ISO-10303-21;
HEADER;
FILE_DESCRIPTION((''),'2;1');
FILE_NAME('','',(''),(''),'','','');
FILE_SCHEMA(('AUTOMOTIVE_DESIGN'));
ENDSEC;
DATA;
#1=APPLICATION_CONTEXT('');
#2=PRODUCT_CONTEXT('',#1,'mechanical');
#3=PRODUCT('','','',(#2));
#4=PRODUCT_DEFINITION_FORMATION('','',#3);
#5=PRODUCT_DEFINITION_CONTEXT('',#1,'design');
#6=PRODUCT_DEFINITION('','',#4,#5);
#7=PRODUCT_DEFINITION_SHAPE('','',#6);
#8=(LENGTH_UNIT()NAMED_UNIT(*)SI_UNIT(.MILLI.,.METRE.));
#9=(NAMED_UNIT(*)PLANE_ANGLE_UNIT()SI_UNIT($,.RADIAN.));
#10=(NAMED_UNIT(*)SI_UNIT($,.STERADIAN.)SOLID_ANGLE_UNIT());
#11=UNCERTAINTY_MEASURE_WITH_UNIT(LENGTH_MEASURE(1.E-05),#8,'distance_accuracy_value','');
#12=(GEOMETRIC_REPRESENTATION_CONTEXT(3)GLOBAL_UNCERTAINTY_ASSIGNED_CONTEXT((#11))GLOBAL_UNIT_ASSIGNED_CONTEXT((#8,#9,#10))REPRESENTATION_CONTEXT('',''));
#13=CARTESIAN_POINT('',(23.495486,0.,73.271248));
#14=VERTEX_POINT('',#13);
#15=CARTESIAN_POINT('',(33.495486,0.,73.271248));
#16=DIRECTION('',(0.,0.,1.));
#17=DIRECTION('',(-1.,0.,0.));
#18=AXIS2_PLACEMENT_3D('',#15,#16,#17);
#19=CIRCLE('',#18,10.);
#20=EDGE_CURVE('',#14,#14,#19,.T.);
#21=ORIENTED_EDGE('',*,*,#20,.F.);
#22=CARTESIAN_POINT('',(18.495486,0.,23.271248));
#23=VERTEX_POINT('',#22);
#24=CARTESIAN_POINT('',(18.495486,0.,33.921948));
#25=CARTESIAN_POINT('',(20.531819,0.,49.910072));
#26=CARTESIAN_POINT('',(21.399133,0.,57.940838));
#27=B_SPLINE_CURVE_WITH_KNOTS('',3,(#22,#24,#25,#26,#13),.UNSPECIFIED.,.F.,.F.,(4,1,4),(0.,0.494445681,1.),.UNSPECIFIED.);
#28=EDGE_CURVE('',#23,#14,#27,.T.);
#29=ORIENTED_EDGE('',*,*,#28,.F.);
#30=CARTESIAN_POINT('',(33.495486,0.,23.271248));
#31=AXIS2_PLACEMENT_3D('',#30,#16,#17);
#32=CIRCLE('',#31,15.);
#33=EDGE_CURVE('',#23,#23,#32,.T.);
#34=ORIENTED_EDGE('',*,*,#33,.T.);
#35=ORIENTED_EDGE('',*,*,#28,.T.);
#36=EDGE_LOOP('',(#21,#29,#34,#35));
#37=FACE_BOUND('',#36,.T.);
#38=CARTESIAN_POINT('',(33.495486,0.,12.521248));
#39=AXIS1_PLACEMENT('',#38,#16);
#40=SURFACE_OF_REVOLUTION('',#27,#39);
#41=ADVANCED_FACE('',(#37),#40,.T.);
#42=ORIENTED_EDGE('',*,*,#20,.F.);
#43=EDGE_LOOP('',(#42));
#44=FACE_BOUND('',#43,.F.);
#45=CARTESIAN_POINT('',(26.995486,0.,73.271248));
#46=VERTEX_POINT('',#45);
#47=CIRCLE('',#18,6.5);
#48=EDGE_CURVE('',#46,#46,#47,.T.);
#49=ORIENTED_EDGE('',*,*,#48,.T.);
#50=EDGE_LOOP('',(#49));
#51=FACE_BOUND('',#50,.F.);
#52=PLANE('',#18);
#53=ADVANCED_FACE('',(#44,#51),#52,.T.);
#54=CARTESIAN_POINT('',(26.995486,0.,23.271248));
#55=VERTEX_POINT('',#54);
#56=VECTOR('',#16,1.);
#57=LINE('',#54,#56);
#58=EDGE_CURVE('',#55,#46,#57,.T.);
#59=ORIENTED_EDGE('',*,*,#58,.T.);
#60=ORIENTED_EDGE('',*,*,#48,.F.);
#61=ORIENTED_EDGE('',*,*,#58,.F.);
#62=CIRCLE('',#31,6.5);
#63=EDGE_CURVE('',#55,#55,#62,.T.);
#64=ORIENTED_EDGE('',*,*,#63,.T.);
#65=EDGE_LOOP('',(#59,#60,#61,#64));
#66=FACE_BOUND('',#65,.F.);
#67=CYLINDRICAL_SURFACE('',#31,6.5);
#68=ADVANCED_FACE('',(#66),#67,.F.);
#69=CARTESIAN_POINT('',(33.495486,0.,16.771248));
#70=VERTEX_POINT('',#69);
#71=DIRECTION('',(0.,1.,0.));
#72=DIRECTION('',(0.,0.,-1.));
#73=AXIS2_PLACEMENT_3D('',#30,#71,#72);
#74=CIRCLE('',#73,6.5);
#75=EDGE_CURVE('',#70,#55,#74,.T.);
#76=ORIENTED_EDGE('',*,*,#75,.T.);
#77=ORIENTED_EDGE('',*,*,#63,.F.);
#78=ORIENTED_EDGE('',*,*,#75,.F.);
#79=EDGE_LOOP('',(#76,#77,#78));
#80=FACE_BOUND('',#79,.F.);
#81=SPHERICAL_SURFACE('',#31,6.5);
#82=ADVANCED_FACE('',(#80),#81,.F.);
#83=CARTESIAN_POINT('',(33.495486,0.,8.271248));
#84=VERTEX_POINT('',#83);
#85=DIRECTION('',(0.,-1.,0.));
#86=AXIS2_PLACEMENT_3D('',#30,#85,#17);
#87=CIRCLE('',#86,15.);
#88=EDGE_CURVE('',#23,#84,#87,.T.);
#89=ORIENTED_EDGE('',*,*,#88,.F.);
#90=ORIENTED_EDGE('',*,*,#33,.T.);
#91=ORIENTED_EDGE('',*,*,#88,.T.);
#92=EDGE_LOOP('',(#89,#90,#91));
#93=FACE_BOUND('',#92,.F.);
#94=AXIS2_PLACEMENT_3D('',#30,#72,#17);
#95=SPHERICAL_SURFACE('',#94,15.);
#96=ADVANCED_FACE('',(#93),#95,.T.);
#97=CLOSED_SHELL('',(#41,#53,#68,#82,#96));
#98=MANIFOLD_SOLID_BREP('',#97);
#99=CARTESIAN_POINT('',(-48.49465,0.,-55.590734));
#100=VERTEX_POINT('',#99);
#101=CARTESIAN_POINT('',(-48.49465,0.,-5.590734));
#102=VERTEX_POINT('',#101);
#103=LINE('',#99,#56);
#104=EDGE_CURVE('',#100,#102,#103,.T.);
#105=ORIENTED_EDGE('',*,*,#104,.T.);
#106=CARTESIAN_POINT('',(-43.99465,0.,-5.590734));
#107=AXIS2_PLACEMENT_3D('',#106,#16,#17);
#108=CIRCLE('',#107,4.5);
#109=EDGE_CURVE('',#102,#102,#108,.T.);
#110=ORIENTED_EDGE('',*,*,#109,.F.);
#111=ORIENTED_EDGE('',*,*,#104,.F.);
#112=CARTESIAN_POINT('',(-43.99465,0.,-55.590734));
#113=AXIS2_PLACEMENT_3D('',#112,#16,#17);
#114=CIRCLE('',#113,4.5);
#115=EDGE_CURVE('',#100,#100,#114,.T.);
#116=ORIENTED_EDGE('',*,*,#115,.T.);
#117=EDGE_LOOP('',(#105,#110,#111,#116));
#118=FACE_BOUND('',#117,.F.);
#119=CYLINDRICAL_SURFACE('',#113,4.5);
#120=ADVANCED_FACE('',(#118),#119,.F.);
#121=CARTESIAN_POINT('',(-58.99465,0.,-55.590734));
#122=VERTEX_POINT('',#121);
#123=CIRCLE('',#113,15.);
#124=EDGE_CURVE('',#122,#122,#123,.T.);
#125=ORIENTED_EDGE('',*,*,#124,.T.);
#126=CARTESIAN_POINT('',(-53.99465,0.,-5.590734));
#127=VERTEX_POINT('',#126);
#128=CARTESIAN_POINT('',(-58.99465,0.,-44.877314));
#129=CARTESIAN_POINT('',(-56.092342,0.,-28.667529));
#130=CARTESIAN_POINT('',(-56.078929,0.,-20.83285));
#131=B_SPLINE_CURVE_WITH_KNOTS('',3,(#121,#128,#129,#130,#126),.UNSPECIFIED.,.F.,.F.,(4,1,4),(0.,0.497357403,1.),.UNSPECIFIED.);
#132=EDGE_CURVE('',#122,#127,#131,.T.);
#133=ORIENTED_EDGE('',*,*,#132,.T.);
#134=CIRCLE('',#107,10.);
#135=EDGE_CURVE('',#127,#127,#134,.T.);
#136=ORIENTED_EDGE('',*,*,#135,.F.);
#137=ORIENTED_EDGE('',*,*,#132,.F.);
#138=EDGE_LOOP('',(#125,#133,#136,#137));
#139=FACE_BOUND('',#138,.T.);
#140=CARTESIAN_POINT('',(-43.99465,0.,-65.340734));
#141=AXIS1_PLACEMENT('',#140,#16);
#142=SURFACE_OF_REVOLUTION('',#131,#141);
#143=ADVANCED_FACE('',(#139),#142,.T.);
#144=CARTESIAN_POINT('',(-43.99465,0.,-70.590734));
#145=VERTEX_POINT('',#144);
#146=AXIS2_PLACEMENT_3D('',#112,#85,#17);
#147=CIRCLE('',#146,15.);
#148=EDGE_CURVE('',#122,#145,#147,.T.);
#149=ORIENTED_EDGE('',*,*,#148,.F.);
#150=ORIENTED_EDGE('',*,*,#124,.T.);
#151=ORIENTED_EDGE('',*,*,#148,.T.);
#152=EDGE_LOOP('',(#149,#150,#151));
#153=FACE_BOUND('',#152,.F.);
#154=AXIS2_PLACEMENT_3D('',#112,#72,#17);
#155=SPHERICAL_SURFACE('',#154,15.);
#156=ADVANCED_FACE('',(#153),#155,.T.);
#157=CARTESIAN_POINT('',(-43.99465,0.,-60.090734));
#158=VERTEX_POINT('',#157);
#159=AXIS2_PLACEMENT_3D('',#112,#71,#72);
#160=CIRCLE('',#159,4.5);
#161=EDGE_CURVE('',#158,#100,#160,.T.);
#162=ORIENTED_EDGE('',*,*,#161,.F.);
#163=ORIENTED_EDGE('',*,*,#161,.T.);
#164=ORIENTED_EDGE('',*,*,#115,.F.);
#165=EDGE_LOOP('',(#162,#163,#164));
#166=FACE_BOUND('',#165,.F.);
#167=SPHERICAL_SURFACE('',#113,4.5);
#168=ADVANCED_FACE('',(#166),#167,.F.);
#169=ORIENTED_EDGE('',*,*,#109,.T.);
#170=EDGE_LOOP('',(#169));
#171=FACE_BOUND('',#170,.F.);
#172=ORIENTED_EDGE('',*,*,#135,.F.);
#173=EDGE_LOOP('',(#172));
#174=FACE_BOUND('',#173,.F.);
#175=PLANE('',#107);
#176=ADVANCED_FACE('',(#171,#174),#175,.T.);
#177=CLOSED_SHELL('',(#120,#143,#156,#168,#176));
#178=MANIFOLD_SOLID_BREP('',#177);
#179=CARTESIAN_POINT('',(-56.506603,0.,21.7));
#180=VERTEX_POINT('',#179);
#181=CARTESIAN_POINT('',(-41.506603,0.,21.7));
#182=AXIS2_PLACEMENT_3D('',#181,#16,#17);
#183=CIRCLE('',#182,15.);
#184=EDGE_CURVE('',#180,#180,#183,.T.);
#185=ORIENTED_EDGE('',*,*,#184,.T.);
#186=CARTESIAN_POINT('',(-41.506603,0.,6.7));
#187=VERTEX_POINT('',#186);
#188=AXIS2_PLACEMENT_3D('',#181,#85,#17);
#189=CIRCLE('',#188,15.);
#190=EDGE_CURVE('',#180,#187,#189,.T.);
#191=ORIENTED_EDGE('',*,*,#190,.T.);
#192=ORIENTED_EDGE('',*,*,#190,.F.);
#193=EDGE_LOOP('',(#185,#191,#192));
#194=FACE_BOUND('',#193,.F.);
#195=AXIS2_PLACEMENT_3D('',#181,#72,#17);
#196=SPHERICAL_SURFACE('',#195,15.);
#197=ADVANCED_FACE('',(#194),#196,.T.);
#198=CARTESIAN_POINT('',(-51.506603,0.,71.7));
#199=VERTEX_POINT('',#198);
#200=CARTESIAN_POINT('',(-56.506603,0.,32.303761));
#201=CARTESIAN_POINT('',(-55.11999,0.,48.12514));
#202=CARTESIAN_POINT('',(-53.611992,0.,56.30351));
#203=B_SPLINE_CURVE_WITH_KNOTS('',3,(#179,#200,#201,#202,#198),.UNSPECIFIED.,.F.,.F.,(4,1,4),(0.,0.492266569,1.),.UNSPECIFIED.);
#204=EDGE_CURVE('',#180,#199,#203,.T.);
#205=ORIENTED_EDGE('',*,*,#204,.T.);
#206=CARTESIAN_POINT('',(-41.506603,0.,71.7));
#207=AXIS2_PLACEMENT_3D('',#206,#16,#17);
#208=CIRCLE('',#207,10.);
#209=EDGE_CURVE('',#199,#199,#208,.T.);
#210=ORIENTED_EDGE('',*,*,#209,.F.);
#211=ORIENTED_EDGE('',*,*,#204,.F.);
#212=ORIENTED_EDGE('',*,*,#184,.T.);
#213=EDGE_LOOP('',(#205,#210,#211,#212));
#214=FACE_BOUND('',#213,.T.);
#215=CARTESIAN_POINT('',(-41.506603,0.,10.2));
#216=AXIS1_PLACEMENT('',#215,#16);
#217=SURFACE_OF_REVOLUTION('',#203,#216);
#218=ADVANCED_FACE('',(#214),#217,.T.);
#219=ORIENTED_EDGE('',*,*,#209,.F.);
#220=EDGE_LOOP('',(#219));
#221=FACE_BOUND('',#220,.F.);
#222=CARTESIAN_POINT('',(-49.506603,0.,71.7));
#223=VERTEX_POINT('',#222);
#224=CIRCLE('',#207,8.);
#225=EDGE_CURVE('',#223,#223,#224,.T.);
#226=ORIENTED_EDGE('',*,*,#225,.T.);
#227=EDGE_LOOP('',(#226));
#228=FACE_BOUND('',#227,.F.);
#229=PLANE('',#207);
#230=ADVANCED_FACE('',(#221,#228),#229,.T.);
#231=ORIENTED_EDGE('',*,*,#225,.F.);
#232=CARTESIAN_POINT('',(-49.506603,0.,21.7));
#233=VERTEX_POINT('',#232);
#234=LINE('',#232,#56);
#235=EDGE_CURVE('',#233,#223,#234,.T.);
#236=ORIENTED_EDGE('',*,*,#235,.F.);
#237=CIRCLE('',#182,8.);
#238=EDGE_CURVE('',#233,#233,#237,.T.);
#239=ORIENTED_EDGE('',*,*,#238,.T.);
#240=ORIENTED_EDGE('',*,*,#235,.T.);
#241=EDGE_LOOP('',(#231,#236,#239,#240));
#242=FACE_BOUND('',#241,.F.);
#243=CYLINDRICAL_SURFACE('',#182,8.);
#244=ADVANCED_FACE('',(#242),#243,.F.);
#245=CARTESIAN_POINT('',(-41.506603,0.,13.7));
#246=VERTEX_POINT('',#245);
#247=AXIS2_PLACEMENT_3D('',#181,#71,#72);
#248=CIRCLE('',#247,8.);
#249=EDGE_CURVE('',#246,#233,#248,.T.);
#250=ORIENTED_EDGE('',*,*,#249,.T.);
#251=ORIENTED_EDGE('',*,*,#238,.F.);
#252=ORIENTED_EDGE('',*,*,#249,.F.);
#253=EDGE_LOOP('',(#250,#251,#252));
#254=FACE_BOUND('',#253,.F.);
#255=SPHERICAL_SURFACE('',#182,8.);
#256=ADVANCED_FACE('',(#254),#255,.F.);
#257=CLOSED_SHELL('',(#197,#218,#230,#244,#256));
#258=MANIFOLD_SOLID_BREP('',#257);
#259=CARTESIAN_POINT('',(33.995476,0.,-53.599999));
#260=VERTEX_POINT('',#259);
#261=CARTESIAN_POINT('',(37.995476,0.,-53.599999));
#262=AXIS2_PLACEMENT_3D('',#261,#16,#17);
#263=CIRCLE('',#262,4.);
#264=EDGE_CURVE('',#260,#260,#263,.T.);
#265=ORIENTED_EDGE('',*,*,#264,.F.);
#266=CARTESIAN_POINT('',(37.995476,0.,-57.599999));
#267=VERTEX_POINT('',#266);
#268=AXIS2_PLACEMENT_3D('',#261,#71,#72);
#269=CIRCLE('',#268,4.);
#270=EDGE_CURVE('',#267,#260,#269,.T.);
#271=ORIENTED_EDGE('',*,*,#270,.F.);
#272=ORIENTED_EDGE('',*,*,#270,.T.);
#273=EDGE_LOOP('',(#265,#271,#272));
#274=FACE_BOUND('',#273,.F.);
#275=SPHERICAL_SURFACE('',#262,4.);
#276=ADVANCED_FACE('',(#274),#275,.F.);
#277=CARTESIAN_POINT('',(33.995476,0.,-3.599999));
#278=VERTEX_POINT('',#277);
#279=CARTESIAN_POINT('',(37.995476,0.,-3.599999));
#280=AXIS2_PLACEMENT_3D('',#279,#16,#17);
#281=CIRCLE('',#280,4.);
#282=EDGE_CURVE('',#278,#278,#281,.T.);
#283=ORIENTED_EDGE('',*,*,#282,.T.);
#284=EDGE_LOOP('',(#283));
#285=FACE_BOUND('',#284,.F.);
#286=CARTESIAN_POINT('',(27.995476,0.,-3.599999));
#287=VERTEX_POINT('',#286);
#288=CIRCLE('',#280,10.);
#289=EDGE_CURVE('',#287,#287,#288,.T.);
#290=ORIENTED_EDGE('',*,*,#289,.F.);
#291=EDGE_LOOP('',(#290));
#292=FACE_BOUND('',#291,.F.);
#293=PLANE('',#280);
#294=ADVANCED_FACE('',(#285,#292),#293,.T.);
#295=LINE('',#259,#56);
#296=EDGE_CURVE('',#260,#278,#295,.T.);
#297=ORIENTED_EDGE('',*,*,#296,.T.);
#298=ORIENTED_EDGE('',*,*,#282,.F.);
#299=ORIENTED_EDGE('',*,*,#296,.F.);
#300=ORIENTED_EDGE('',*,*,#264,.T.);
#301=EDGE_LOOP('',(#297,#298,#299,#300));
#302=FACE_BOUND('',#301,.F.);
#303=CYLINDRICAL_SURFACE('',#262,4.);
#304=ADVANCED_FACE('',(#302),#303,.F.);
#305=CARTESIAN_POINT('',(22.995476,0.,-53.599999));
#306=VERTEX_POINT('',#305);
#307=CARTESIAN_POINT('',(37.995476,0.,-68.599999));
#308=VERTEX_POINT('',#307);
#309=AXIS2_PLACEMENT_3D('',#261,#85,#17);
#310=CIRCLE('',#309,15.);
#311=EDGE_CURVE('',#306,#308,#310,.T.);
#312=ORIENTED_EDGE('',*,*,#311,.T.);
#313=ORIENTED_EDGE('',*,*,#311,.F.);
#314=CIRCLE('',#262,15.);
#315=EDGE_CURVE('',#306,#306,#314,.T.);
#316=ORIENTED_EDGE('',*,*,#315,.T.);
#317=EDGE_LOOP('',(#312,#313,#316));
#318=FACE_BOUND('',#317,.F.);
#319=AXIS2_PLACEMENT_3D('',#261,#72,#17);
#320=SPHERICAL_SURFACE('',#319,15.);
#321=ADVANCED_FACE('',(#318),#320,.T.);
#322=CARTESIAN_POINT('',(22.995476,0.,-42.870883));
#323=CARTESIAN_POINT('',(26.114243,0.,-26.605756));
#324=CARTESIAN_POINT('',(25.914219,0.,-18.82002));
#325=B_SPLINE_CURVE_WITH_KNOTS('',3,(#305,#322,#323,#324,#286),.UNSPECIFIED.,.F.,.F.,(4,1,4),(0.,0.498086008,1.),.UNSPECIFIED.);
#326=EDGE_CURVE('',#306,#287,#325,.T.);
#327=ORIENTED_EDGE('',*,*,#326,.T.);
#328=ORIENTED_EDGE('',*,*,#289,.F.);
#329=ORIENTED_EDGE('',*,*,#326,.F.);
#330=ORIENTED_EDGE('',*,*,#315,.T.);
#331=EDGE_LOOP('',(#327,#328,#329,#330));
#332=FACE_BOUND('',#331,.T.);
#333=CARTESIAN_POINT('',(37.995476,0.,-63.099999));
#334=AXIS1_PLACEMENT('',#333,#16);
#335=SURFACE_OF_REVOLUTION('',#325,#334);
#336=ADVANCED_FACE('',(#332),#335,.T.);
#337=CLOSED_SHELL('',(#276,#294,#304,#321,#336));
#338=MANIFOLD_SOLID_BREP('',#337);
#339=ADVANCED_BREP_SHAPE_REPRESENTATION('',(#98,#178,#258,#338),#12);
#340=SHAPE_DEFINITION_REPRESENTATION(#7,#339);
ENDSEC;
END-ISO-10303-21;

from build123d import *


with BuildPart() as f1:
    # F0 (on Front) → F1 (revolve)
    with BuildSketch(Plane.XZ):
        with BuildLine():
            ThreePointArc((-41.5066033602, 13.6999997944), (-47.1634576097, 16.0431455449), (-49.5066033602, 21.6999997944))
            Line((-49.5066033602, 21.6999997944), (-49.5066033602, 71.6999997944))
            Line((-49.5066033602, 71.6999997944), (-51.5066033602, 71.6999997944))
            add(Edge.make_bspline(
                [(-56.5066033602, 21.6999997944), (-56.5066033602, 32.3037606053), (-55.1199902314, 48.1251404043), (-53.6119920025, 56.3035099421), (-51.5066033602, 71.6999997944)],
                knots=[0, 0, 0, 0, 0.4922665686, 1, 1, 1, 1], degree=3))
            ThreePointArc((-56.5066033602, 21.6999997944), (-52.113205078, 11.0933980766), (-41.5066033602, 6.6999997944))
            Line((-41.5066033602, 6.6999997944), (-41.5066033602, 13.6999997944))
        make_face()
    revolve(axis=Axis((-41.5066033602, 0, 10.1999997944), (0, 0, 1)))


with BuildPart() as f2:
    # F0 (on Front) → F2 (revolve)
    with BuildSketch(Plane.XZ):
        with BuildLine():
            ThreePointArc((33.4954857826, 16.7712480798), (28.8992917049, 18.6750540021), (26.9954857826, 23.2712480798))
            Line((26.9954857826, 23.2712480798), (26.9954857826, 73.2712480798))
            Line((26.9954857826, 73.2712480798), (23.4954857826, 73.2712480798))
            add(Edge.make_bspline(
                [(18.4954857826, 23.2712480798), (18.4954857826, 33.9219484656), (20.5318191834, 49.9100723546), (21.3991331375, 57.9408375424), (23.4954857826, 73.2712480798)],
                knots=[0, 0, 0, 0, 0.4944456807, 1, 1, 1, 1], degree=3))
            ThreePointArc((18.4954857826, 23.2712480798), (22.8888840648, 12.664646362), (33.4954857826, 8.2712480798))
            Line((33.4954857826, 8.2712480798), (33.4954857826, 16.7712480798))
        make_face()
    revolve(axis=Axis((33.4954857826, 0, 12.5212480798), (0, 0, 1)))


with BuildPart() as f3:
    # F0 (on Front) → F3 (revolve)
    with BuildSketch(Plane.XZ):
        with BuildLine():
            ThreePointArc((-43.9946502447, -60.0907344818), (-47.1766307601, -58.7727149972), (-48.4946502447, -55.5907344818))
            Line((-48.4946502447, -55.5907344818), (-48.4946502447, -5.5907344818))
            Line((-48.4946502447, -5.5907344818), (-53.9946502447, -5.5907344818))
            add(Edge.make_bspline(
                [(-58.9946502447, -55.5907344818), (-58.9946502447, -44.877313586), (-56.0923421666, -28.6675294708), (-56.0789290193, -20.8328500498), (-53.9946502447, -5.5907344818)],
                knots=[0, 0, 0, 0, 0.4973574033, 1, 1, 1, 1], degree=3))
            ThreePointArc((-58.9946502447, -55.5907344818), (-54.6012519625, -66.1973361996), (-43.9946502447, -70.5907344818))
            Line((-43.9946502447, -70.5907344818), (-43.9946502447, -60.0907344818))
        make_face()
    revolve(axis=Axis((-43.9946502447, 0, -65.3407344818), (0, 0, 1)))


with BuildPart() as f4:
    # F0 (on Front) → F4 (revolve)
    with BuildSketch(Plane.XZ):
        with BuildLine():
            ThreePointArc((37.9954762757, -57.599998951), (35.1670491509, -56.4284260757), (33.9954762757, -53.599998951))
            Line((33.9954762757, -53.599998951), (33.9954762757, -3.599998951))
            Line((33.9954762757, -3.599998951), (27.9954762757, -3.599998951))
            add(Edge.make_bspline(
                [(22.9954762757, -53.599998951), (22.9954762757, -42.8708834165), (26.1142426454, -26.6057564929), (25.9142187622, -18.8200203484), (27.9954762757, -3.599998951)],
                knots=[0, 0, 0, 0, 0.4980860076, 1, 1, 1, 1], degree=3))
            ThreePointArc((22.9954762757, -53.599998951), (27.3888745579, -64.2066006688), (37.9954762757, -68.599998951))
            Line((37.9954762757, -68.599998951), (37.9954762757, -57.599998951))
        make_face()
    revolve(axis=Axis((37.9954762757, 0, -63.099998951), (0, 0, 1)))


solid = Compound([f1.part, f2.part, f3.part, f4.part])
